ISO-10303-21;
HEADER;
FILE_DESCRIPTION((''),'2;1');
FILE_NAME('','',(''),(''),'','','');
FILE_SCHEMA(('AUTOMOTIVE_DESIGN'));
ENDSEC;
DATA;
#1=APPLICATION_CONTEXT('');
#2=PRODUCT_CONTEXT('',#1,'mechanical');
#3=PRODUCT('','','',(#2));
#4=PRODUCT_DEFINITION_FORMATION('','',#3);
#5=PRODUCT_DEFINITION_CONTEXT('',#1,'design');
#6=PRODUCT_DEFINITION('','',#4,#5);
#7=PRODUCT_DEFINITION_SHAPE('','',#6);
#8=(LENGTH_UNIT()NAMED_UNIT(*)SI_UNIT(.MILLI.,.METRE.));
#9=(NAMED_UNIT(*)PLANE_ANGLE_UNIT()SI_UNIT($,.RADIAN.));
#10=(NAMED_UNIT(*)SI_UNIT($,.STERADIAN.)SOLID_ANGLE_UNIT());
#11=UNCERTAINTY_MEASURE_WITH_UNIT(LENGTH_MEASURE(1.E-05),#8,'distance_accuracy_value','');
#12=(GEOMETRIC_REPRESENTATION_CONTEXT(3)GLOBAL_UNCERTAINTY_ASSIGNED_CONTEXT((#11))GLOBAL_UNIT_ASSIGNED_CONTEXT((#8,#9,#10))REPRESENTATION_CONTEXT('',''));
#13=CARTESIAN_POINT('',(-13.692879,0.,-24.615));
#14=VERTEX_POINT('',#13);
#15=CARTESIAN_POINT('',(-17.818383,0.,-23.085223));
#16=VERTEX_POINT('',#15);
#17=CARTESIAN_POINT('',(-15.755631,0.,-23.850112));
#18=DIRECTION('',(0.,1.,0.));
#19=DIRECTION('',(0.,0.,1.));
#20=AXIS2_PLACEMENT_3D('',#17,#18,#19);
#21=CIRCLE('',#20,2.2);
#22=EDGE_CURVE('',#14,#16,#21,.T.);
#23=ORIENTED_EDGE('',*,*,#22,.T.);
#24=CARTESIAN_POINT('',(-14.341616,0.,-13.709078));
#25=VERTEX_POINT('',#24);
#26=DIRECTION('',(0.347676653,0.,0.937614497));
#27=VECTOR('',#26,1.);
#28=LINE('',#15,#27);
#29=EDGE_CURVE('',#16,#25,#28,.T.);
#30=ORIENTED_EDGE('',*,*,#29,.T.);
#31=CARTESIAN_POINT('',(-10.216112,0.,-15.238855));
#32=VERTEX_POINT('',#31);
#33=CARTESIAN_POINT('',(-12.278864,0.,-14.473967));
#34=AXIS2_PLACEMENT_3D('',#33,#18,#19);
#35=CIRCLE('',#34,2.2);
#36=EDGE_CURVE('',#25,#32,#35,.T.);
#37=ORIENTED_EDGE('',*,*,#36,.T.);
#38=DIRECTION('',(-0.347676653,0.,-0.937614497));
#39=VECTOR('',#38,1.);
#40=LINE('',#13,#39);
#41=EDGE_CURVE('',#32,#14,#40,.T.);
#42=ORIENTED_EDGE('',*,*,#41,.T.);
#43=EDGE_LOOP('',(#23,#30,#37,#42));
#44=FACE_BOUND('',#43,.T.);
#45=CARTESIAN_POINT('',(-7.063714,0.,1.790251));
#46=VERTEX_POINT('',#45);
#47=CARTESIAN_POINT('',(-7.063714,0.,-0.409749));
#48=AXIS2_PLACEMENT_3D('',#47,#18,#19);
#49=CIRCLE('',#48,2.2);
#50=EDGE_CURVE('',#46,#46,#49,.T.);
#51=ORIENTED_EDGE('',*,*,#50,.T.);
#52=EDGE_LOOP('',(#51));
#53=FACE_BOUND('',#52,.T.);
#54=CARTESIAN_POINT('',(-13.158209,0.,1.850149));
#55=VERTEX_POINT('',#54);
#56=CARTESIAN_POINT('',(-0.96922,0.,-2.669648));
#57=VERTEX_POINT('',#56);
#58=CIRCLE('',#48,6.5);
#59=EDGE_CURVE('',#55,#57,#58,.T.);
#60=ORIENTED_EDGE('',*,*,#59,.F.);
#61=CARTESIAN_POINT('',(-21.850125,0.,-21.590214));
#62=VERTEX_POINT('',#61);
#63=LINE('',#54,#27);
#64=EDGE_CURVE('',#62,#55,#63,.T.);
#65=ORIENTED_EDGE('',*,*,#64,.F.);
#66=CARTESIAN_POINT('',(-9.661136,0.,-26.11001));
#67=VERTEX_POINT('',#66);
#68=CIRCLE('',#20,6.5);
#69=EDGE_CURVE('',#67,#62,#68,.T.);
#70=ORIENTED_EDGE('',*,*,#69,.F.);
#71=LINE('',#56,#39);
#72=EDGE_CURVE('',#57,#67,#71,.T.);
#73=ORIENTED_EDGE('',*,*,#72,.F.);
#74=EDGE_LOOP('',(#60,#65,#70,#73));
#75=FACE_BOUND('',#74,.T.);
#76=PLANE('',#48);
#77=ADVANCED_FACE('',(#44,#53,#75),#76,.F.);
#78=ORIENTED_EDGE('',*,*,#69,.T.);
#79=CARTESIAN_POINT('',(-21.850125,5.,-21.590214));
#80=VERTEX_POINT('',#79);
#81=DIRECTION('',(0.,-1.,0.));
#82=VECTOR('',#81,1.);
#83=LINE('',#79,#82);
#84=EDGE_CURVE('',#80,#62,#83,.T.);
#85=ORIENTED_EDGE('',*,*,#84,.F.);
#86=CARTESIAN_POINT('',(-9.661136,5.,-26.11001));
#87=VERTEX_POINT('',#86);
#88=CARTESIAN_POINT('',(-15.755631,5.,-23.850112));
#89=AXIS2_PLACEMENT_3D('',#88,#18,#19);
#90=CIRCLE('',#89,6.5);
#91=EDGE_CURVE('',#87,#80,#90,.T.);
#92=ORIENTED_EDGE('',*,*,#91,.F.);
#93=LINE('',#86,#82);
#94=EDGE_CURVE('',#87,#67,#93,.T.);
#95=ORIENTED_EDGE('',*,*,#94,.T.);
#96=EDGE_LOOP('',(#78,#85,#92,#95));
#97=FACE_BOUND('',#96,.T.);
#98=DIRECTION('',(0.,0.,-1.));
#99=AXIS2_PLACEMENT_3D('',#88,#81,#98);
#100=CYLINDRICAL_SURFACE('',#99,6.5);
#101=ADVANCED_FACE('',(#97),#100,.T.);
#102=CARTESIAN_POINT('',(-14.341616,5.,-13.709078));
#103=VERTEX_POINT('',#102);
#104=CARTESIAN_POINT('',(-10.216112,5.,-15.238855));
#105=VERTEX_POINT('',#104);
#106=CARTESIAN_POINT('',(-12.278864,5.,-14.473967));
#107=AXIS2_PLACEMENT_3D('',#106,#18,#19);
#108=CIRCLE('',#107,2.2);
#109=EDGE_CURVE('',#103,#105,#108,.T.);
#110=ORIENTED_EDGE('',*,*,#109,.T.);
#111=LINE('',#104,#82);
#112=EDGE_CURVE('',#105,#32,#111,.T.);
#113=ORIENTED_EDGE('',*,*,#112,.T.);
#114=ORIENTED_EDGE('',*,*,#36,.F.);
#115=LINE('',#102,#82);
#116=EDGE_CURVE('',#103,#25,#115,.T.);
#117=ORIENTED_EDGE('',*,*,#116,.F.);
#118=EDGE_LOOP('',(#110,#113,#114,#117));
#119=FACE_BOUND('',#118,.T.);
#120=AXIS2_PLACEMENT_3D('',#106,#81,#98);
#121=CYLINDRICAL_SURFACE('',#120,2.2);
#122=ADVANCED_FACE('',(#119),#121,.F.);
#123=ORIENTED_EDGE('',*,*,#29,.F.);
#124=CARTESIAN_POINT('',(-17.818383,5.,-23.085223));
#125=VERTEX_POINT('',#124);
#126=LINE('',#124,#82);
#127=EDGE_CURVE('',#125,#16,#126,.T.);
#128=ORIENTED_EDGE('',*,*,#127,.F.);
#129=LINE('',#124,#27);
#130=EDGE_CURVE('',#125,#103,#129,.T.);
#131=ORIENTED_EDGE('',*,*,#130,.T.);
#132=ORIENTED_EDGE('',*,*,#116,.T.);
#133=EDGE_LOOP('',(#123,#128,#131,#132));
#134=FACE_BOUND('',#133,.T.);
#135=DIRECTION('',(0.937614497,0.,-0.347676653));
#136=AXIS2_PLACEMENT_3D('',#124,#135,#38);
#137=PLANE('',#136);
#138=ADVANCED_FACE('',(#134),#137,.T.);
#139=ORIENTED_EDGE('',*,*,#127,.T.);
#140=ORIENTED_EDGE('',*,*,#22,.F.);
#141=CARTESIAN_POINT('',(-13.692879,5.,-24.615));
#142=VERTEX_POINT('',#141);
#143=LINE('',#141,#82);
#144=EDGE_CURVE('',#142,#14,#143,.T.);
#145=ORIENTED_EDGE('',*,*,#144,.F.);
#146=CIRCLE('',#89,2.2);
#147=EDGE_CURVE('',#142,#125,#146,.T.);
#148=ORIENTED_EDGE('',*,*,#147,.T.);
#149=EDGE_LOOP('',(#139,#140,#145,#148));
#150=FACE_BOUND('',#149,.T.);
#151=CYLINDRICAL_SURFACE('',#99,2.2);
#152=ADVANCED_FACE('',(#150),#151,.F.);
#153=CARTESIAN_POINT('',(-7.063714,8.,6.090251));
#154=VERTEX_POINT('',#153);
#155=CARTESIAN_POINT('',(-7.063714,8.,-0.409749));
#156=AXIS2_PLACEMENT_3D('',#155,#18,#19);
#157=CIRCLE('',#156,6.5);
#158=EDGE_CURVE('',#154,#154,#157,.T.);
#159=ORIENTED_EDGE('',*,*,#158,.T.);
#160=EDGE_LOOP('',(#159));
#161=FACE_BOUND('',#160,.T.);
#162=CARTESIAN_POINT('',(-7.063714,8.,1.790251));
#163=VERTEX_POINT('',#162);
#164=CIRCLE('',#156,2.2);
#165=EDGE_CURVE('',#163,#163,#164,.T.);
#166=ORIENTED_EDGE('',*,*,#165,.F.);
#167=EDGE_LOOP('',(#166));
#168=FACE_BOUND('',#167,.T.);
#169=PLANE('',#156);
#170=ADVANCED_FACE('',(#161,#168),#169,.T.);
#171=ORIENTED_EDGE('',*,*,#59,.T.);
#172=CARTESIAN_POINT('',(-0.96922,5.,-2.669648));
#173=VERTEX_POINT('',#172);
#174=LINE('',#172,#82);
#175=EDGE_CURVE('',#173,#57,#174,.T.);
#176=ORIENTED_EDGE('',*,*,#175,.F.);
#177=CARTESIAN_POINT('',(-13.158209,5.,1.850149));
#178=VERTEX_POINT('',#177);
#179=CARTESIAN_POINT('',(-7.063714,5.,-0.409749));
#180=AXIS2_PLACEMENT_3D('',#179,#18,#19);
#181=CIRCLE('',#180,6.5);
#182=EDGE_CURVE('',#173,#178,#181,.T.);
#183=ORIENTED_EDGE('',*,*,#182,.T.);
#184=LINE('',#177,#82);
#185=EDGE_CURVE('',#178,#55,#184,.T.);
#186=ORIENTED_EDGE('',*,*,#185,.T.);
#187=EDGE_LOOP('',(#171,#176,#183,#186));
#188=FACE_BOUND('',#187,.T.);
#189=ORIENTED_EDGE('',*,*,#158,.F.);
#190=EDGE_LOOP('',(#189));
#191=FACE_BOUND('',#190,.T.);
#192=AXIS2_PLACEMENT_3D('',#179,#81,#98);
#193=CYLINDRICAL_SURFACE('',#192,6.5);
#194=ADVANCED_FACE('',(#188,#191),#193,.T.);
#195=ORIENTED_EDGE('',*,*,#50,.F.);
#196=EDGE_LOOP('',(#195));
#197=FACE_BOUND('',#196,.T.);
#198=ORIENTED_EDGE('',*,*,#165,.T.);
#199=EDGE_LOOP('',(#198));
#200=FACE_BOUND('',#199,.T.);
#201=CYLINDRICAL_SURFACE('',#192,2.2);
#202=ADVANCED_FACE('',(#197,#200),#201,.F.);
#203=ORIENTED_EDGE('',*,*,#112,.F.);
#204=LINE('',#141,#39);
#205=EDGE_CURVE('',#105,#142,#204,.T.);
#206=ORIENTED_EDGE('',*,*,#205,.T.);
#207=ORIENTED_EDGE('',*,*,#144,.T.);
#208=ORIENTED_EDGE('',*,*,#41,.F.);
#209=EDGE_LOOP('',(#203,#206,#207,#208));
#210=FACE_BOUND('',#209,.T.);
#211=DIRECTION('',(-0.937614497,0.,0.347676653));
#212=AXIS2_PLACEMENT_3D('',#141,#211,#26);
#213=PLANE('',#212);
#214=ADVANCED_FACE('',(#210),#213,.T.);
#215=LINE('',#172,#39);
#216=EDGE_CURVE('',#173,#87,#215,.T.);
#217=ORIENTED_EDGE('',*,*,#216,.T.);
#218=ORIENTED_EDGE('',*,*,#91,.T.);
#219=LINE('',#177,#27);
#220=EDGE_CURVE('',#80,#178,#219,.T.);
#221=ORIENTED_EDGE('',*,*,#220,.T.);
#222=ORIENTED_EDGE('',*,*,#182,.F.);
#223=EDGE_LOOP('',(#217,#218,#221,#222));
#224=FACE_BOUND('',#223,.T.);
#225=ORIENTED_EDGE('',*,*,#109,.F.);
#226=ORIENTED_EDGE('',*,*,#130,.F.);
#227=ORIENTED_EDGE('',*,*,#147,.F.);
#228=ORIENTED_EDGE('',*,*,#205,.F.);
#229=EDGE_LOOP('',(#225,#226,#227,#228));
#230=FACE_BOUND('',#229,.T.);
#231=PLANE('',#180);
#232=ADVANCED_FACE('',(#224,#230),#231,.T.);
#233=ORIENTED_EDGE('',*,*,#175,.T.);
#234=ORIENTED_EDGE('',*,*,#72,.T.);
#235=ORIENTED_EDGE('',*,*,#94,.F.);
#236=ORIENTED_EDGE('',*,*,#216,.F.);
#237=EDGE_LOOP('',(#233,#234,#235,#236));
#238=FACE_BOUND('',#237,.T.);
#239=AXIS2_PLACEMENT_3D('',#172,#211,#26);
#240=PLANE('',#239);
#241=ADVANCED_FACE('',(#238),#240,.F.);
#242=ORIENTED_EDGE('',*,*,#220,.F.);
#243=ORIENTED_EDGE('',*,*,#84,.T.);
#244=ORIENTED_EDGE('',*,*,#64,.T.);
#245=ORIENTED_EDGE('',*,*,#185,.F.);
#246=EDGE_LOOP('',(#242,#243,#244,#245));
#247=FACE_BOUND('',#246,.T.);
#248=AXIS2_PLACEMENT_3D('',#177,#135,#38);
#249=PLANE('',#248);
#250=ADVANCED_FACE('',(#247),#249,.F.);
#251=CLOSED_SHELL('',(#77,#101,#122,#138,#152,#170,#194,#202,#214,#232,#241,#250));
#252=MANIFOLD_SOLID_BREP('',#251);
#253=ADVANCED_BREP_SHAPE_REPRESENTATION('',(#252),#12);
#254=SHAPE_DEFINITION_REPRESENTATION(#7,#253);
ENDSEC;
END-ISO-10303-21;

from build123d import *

# Parameters (mm, degrees)
SKETCH1_R           = 2.2
BOSS_EXTRUDE1_DEPTH = 5
SKETCH2_R           = 6.5
SKETCH2_R_2         = 2.2
BOSS_EXTRUDE2_DEPTH = 3


with BuildPart() as part:
    # Sketch1 → Boss-Extrude1 (new body)
    with BuildSketch(Plane(origin=(0, 0, 0), x_dir=(1, 0, 0), z_dir=(0, 1, 0))):
        with BuildLine():
            Line((-13.158208581, -1.850148868), (-21.850124899, 21.590213559))
            ThreePointArc((-21.850124899, 21.590213559), (-18.015528911, 29.944606033), (-9.661136437, 26.110010045))
            Line((-9.661136437, 26.110010045), (-0.969220119, 2.669647618))
            ThreePointArc((-0.969220119, 2.669647618), (-4.803816107, -5.684744856), (-13.158208581, -1.850148868))
        make_face()
        with Locations(Location((-7.06371435, 0.409749375, 0), (0, 0, 270))):  # turned: the seam where the file's is
            Circle(SKETCH1_R, mode=Mode.SUBTRACT)
        with BuildLine():
            Line((-13.692878775, 24.615000438), (-10.216112247, 15.238855467))
            ThreePointArc((-10.216112247, 15.238855467), (-11.513975505, 12.411214938), (-14.341616034, 13.709078195))
            Line((-14.341616034, 13.709078195), (-17.818382562, 23.085223166))
            ThreePointArc((-17.818382562, 23.085223166), (-16.520519304, 25.912863695), (-13.692878775, 24.615000438))
        make_face(mode=Mode.SUBTRACT)
    extrude(amount=BOSS_EXTRUDE1_DEPTH)

    # Sketch2 → Boss-Extrude2 (add)
    with BuildSketch(Plane(origin=(0, 5, 0), x_dir=(-1, 0, 0), z_dir=(0, 1, 0))):
        with Locations(Location((7.06371435, -0.409749375, 0), (0, 0, 200.345274498))):  # turned: the seam where the file's is
            Circle(SKETCH2_R)
        with Locations(Location((7.06371435, -0.409749375, 0), (0, 0, 90))):  # turned: the seam where the file's is
            Circle(SKETCH2_R_2, mode=Mode.SUBTRACT)
    extrude(amount=BOSS_EXTRUDE2_DEPTH)


solid = part.part
